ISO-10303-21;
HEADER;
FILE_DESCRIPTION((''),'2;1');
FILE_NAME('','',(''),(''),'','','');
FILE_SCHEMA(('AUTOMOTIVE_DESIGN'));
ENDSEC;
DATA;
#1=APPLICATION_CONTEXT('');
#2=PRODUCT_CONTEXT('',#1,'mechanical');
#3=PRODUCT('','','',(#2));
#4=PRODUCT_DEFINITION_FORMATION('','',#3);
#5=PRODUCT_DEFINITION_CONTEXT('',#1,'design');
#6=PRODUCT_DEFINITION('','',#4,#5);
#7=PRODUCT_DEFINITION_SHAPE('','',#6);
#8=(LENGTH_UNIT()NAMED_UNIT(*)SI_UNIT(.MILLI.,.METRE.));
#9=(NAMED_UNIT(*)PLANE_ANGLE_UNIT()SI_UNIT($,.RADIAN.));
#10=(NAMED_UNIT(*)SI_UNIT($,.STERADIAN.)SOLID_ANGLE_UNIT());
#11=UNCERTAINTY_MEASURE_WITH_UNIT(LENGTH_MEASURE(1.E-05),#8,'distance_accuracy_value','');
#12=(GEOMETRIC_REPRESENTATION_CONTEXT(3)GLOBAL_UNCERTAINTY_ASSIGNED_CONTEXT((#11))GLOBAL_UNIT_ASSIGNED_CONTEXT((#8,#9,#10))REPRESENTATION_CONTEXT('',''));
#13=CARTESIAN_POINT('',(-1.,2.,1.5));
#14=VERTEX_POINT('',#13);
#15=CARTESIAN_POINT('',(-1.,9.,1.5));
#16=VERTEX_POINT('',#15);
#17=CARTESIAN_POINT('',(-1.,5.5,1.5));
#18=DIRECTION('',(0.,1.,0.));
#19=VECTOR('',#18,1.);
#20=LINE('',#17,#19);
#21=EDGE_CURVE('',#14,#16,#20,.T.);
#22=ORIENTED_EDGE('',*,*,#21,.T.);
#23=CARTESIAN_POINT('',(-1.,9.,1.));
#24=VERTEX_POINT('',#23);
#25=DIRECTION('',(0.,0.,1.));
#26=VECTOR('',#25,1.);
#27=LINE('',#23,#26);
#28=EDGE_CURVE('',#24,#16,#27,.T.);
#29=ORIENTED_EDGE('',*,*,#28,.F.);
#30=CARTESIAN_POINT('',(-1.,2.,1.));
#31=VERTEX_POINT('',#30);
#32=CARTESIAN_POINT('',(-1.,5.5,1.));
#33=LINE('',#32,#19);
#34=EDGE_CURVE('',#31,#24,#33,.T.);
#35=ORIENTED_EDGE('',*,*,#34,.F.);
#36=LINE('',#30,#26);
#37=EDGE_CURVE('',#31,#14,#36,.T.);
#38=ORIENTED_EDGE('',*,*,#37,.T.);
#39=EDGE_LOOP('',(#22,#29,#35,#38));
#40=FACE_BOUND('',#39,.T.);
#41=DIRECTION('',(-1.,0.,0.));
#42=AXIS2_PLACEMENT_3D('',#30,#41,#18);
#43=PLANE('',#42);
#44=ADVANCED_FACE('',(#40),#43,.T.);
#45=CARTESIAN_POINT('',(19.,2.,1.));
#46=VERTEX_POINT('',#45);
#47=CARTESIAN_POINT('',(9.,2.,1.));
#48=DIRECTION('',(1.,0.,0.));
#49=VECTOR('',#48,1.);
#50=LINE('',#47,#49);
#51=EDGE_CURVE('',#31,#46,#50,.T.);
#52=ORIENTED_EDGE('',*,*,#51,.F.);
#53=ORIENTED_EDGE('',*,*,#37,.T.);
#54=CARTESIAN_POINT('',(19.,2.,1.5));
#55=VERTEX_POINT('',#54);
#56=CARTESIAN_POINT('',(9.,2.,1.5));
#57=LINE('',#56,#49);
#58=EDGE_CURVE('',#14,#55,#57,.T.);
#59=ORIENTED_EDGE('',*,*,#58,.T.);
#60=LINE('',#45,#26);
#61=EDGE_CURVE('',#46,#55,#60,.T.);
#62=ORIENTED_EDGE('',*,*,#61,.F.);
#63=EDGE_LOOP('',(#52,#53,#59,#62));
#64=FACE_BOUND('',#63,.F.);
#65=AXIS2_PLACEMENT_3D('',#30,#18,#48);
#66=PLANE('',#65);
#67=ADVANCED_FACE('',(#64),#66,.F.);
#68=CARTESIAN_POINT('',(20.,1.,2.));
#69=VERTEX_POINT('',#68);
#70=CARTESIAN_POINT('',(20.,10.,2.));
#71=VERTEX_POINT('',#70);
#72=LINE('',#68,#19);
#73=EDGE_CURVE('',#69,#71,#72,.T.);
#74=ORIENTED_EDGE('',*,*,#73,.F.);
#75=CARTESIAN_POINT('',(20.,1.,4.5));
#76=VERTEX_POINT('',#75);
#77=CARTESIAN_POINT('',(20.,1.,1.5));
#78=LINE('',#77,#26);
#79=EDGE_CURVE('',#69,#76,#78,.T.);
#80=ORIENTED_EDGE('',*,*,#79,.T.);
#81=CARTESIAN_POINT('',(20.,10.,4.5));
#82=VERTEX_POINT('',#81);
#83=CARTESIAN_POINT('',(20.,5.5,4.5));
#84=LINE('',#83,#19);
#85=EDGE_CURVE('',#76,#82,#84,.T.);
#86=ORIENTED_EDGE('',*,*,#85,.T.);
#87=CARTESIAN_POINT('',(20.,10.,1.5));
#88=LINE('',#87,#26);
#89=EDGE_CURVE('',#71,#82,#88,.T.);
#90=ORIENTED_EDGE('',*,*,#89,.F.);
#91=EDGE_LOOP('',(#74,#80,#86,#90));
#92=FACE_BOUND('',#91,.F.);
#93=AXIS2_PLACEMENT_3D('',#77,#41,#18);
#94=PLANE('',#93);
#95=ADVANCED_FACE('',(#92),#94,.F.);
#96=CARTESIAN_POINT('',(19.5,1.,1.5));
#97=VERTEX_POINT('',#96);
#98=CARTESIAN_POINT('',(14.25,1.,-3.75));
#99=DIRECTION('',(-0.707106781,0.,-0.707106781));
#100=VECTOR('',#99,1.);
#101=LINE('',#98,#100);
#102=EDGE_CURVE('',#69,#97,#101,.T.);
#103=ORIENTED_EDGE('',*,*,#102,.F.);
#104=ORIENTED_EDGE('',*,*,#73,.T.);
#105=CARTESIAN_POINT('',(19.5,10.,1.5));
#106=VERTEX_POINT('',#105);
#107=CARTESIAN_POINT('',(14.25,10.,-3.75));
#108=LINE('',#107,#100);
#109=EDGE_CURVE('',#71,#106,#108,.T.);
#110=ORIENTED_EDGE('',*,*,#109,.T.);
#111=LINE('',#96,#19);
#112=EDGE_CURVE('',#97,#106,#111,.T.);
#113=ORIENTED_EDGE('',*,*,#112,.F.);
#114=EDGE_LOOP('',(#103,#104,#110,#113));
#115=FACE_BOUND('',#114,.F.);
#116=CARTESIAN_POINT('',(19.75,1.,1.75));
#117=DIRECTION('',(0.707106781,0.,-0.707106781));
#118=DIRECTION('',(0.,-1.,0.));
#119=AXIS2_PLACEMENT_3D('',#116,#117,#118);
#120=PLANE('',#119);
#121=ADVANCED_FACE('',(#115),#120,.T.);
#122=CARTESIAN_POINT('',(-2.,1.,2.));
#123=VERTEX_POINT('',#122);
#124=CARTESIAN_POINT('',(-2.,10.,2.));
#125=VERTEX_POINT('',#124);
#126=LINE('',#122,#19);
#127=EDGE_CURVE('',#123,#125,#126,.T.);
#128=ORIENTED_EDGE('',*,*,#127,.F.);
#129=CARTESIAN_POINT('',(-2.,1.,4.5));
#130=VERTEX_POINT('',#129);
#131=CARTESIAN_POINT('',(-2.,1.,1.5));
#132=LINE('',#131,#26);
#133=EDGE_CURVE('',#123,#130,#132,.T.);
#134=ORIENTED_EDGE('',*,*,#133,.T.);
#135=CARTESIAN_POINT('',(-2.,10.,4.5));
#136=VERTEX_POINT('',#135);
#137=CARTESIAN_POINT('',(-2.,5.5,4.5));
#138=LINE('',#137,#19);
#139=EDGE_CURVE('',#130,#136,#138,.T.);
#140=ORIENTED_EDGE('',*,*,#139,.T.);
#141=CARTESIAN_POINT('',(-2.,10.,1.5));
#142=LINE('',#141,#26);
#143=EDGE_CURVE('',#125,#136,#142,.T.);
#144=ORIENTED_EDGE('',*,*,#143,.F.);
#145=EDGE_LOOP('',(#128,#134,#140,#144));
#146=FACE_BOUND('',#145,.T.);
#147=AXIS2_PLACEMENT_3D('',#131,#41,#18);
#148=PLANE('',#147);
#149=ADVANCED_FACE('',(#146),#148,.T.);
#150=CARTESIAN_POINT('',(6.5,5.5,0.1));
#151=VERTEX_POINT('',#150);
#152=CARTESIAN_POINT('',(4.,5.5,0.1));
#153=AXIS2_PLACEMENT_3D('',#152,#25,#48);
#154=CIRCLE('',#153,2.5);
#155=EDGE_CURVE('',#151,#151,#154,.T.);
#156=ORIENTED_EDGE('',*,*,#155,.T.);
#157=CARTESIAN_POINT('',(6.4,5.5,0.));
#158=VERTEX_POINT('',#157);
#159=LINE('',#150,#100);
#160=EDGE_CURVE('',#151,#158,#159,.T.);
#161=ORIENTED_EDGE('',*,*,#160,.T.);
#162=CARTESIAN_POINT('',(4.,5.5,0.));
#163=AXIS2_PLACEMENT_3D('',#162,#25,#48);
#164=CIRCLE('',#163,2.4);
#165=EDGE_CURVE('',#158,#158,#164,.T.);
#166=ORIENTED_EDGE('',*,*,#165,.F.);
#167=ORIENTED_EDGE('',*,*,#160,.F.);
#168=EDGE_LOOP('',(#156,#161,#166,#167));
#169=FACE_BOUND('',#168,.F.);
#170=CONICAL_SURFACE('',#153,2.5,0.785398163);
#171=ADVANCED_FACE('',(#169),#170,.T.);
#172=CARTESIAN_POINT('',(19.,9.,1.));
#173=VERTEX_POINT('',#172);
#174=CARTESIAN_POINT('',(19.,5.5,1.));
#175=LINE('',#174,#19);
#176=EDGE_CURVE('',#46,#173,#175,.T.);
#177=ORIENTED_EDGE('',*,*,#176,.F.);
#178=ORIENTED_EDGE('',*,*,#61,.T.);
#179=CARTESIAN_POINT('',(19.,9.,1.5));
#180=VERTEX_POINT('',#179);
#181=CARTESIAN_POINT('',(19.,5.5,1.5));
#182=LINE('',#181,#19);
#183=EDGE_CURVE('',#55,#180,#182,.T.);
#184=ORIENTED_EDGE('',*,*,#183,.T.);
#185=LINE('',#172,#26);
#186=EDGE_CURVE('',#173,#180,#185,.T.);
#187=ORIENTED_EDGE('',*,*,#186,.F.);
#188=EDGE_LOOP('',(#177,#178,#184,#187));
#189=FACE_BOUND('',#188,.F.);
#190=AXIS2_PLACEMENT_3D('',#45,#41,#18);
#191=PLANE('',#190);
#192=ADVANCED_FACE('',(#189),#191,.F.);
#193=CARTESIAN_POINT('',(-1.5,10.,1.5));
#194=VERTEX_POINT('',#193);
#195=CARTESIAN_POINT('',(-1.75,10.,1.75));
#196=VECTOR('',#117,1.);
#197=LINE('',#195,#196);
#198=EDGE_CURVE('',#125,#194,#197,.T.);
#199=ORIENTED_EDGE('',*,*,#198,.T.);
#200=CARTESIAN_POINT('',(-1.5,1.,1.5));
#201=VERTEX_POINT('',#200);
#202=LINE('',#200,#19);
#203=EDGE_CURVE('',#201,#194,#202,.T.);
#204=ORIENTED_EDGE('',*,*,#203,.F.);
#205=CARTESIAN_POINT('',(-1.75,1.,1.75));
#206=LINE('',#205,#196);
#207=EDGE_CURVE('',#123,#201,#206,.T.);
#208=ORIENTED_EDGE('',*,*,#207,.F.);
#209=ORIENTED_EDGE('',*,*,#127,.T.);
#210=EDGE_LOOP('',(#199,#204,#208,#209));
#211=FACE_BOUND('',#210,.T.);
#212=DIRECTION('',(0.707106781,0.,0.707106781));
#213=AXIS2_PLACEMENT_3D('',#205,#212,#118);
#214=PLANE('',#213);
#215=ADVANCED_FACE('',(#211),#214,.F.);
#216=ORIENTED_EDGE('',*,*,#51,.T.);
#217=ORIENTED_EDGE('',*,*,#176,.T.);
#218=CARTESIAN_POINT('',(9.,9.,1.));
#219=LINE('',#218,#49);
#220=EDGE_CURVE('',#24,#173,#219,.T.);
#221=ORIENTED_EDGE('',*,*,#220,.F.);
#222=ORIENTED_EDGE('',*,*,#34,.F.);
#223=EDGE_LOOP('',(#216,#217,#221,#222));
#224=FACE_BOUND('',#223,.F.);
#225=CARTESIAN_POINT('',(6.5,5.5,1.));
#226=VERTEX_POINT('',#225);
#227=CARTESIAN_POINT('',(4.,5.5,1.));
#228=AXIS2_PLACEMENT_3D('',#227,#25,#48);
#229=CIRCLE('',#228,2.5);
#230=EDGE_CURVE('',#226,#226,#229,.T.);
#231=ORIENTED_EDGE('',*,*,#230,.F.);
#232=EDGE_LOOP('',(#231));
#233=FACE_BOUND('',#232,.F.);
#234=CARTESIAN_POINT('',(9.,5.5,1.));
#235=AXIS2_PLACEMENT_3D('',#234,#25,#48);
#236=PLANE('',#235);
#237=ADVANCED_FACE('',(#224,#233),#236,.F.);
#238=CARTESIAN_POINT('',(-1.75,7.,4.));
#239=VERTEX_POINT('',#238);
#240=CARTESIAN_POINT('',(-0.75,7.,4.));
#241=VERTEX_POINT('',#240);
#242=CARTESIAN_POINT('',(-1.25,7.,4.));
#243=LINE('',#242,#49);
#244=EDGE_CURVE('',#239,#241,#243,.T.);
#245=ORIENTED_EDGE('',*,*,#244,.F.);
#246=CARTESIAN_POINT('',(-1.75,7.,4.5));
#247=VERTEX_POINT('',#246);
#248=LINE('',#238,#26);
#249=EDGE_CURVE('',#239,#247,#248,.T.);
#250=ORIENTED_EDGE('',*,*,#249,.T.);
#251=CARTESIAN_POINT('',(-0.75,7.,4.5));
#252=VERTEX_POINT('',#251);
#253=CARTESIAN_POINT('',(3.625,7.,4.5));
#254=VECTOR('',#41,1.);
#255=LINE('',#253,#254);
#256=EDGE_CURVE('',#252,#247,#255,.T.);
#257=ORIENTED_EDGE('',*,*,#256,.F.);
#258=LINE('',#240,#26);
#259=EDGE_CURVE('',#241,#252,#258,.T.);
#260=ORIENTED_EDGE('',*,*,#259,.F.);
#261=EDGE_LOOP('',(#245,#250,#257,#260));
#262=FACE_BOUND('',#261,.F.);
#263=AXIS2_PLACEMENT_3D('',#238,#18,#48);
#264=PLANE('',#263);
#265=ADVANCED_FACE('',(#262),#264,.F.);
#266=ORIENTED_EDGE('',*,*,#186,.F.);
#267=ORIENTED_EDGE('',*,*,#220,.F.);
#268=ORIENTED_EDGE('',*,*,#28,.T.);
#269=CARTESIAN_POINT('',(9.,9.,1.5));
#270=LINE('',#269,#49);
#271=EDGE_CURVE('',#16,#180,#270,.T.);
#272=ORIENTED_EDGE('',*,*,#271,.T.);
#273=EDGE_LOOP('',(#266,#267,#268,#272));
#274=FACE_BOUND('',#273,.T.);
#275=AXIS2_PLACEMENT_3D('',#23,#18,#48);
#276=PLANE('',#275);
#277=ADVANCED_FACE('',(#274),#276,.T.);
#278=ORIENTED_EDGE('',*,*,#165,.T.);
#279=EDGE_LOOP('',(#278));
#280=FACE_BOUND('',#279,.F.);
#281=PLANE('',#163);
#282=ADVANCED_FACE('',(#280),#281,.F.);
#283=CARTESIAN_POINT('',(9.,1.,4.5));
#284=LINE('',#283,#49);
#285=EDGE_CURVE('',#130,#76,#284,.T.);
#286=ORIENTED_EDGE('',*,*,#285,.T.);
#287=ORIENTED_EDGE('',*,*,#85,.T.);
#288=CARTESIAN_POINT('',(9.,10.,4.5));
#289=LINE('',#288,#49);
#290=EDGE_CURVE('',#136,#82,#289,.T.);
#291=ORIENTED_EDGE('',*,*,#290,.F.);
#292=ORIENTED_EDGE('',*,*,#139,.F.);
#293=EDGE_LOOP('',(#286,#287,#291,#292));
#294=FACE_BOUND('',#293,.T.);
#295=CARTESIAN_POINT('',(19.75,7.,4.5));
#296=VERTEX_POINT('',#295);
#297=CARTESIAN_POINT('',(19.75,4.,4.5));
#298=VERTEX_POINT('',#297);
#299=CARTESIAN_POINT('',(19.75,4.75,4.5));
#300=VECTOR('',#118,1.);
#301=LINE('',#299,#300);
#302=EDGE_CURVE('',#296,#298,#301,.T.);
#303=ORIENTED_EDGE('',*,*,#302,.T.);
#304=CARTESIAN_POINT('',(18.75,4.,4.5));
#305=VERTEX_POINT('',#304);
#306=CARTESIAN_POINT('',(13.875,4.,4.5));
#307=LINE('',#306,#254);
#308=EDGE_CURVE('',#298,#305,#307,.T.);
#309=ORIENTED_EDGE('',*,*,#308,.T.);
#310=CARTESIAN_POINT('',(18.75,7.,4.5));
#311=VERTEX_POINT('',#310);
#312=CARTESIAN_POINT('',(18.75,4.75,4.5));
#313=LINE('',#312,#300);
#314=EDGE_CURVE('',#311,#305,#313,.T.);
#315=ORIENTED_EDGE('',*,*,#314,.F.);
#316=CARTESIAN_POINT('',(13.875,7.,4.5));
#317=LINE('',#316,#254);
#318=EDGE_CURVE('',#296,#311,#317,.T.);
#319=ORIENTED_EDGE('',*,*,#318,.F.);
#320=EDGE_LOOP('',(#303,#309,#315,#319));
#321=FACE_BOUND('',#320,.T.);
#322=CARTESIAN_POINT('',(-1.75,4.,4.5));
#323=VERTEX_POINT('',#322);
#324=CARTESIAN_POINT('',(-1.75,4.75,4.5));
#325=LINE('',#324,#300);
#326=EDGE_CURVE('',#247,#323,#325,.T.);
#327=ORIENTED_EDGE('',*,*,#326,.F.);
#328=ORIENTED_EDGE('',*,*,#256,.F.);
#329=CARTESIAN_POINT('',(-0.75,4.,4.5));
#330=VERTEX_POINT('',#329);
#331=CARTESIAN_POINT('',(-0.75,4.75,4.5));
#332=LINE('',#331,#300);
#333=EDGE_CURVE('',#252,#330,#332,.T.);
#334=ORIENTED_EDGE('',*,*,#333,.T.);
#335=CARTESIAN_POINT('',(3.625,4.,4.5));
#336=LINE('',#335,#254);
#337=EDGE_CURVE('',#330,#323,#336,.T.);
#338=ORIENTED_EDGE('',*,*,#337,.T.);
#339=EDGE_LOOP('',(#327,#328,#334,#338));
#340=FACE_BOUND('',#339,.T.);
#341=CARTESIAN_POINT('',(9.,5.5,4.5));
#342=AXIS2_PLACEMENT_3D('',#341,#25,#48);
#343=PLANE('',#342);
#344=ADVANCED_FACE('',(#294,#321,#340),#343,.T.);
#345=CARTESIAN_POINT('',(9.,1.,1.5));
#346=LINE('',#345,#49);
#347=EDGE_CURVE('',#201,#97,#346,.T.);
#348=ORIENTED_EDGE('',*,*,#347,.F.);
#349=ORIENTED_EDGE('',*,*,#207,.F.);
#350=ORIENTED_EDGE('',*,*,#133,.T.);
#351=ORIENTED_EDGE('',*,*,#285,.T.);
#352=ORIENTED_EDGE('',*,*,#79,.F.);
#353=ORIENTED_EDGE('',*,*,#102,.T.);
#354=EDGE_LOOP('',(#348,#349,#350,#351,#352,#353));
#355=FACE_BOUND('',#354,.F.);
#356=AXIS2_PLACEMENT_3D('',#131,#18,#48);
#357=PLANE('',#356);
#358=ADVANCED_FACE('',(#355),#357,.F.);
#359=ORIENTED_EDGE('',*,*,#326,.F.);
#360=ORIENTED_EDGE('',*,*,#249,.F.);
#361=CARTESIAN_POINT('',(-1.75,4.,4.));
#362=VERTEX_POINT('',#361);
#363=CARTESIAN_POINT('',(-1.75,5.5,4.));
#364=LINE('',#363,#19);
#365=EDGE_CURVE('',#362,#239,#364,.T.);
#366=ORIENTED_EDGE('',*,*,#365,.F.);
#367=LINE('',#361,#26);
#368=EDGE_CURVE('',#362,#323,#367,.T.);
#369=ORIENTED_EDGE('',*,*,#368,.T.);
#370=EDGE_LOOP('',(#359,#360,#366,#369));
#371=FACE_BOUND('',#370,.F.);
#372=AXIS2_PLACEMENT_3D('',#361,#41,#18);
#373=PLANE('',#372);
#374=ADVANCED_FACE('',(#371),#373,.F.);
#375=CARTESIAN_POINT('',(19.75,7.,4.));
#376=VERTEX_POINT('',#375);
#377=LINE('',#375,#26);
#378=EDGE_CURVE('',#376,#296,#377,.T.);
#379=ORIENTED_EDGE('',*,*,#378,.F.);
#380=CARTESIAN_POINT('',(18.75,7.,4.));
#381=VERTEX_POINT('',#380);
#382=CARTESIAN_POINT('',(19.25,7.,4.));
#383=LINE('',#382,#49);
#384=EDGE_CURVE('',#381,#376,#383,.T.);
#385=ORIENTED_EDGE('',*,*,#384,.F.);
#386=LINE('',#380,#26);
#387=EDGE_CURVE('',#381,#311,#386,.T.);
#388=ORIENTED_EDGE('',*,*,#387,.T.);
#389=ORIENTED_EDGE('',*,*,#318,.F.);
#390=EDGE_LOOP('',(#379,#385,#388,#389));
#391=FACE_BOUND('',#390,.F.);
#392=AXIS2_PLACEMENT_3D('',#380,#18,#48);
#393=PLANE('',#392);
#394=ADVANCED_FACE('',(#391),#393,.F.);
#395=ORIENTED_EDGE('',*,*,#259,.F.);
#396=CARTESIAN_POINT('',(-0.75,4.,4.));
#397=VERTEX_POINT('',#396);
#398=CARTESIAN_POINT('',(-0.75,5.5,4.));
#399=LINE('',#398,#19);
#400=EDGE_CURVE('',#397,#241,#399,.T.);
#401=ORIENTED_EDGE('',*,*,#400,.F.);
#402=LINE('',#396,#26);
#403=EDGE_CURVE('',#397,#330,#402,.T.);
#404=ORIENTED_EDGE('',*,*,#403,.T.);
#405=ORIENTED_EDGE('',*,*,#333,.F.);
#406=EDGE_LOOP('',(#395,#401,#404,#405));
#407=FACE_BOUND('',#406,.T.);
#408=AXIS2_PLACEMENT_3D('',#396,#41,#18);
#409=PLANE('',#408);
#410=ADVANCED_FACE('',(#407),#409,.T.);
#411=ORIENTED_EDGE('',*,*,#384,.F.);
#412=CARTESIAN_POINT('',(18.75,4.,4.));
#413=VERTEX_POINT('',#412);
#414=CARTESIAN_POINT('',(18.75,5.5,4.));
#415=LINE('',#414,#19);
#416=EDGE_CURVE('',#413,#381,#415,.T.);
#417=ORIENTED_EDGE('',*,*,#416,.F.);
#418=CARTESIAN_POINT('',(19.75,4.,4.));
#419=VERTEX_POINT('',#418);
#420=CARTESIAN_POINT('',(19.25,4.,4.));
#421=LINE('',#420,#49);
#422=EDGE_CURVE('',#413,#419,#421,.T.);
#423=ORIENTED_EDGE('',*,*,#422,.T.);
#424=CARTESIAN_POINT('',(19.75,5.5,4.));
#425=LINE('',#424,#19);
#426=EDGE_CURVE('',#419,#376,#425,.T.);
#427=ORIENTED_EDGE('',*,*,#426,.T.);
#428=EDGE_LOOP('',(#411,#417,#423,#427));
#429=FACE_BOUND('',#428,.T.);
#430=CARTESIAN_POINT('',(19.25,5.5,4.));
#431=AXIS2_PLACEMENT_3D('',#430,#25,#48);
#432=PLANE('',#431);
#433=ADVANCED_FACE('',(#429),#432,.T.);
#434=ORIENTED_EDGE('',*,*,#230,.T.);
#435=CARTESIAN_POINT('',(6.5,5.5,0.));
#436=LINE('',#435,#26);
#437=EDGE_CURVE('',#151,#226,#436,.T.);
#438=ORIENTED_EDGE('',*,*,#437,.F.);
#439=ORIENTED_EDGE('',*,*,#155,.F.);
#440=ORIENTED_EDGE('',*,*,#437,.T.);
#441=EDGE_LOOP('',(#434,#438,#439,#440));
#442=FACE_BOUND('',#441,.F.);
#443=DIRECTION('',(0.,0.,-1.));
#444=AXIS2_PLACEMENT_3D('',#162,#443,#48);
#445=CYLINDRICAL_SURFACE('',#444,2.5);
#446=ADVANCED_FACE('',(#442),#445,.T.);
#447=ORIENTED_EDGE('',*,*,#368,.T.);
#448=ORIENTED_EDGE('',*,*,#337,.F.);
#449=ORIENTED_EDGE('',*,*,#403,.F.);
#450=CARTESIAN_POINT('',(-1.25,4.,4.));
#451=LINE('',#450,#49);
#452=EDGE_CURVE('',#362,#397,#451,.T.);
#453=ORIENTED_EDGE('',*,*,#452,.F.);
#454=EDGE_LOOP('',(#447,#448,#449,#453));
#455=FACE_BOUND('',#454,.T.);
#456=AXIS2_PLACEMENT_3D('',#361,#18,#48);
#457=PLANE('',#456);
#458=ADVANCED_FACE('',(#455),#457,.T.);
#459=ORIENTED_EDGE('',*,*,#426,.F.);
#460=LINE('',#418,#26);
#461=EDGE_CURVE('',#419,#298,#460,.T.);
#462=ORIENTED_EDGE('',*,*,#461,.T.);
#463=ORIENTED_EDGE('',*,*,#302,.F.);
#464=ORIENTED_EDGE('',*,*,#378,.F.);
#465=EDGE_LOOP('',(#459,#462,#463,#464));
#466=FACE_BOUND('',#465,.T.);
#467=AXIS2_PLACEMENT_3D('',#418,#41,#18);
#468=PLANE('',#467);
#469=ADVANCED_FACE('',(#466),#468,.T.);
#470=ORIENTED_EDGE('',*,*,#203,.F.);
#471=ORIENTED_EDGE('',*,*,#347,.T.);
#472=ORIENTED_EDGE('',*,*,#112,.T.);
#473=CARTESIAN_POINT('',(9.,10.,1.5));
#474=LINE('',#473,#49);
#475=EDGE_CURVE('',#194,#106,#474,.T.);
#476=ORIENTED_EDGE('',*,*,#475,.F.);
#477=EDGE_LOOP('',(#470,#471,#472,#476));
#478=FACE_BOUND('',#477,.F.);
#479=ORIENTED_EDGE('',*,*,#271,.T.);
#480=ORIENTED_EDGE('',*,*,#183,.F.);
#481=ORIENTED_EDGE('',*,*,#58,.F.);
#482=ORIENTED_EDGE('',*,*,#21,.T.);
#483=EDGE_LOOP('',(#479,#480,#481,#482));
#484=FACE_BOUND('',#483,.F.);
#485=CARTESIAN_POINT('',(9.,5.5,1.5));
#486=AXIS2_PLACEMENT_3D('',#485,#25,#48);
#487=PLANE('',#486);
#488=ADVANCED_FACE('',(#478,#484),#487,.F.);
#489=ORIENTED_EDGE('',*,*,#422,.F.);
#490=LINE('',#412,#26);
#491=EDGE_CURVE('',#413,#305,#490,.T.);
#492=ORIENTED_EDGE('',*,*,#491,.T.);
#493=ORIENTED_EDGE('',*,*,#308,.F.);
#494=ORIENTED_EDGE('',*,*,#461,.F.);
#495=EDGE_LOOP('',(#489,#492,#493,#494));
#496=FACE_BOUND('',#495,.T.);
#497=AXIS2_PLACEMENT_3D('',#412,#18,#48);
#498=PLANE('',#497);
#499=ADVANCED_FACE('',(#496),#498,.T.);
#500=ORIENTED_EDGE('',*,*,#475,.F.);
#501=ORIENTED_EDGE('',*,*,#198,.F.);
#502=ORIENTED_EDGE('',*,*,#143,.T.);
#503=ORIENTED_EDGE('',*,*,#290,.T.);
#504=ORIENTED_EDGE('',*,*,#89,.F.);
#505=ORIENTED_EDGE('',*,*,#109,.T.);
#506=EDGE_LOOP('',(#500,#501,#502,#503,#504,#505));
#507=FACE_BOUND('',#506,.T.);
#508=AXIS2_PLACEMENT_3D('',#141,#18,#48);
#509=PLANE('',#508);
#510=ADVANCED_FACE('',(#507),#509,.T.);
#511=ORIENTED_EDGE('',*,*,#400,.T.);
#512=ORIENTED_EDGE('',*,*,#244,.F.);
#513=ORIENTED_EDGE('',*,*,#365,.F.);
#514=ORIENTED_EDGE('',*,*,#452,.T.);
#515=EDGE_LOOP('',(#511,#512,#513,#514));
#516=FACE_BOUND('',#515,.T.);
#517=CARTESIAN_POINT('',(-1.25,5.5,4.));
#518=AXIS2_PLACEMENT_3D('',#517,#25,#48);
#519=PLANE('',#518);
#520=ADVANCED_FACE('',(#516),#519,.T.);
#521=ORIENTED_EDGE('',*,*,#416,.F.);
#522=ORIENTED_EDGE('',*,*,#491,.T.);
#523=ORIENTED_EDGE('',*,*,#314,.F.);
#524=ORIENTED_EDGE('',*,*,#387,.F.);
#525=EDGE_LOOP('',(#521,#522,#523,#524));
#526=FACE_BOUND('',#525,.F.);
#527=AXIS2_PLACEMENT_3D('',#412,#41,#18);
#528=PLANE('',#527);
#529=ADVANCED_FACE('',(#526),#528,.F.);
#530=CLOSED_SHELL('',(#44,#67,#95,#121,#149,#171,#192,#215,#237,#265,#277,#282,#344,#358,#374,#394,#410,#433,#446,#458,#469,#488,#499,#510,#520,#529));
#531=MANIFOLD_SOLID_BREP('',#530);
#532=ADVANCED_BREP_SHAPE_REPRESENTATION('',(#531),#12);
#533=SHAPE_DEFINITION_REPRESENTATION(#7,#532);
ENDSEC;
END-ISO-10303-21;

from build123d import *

# Parameters (mm, degrees)
SKETCH003_R      = 2.5
EXTRUDE003_DEPTH = 1
CHAMFER_SIZE     = 0.1
SKETCH006_W      = 20
SKETCH006_H      = 7
EXTRUDE018_DEPTH = 0.5
SKETCH001_W      = 1
SKETCH001_H      = 3
EXTRUDE001_DEPTH = 1
SKETCH002_W      = 1
SKETCH002_H      = 3
EXTRUDE002_DEPTH = 1
SKETCH_W         = 22
SKETCH_H         = 9
EXTRUDE_DEPTH    = 3
CHAMFER001_SIZE  = 0.5


with BuildPart() as chamfer001:
    # Sketch003 → Extrude003 (new body)
    with BuildSketch(Plane(origin=(-0.5, 0, 0), x_dir=(1, 0, 0), z_dir=(0, 0, 1))):
        with Locations((6.5, 5.5)):
            Circle(SKETCH003_R)
    extrude(amount=EXTRUDE003_DEPTH)

    # Chamfer
    chamfer_edges = [chamfer001.edges().sort_by_distance(p)[0] for p in [
        (3.5, 5.5, 0),
    ]]
    chamfer(chamfer_edges, length=CHAMFER_SIZE)


with BuildPart() as chamfer001_1:
    # Chamfer placement: moved
    add(chamfer001.part.moved(Location((-2, 0, 0))))


with BuildPart() as fusion020:
    # Sketch006 → Extrude018 (new body)
    with BuildSketch(Plane.XY.offset(1)):
        with Locations((9, 5.5)):
            Rectangle(SKETCH006_W, SKETCH006_H)
    extrude(amount=EXTRUDE018_DEPTH)

    # Fusion020: union Chamfer001
    add(chamfer001_1.part)


with BuildPart() as extrude001:
    # Sketch001 → Extrude001 (new body)
    with BuildSketch(Plane(origin=(0, 1, 4), x_dir=(1, 0, 0), z_dir=(0, 0, 1))):
        with Locations((0.75, 4.5)):
            Rectangle(SKETCH001_W, SKETCH001_H)
    extrude(amount=EXTRUDE001_DEPTH)


with BuildPart() as extrude001_1:
    # Extrude001 placement: moved
    add(extrude001.part.moved(Location((-2, 0, 0))))


with BuildPart() as fusion:
    # Sketch002 → Extrude002 (new body)
    with BuildSketch(Plane(origin=(18.5, 1, 4), x_dir=(1, 0, 0), z_dir=(0, 0, 1))):
        with Locations((0.75, 4.5)):
            Rectangle(SKETCH002_W, SKETCH002_H)
    extrude(amount=EXTRUDE002_DEPTH)

    # Fusion: union Extrude001
    add(extrude001_1.part)


with BuildPart() as body:
    # Sketch → Extrude (new body)
    with BuildSketch(Plane.XY.offset(1.5)):
        with Locations((9, 5.5)):
            Rectangle(SKETCH_W, SKETCH_H)
    extrude(amount=EXTRUDE_DEPTH)

    # Chamfer001
    chamfer001_edges = [body.edges().sort_by_distance(p)[0] for p in [
        (20, 5.5, 1.5),
        (-2, 5.5, 1.5),
    ]]
    chamfer(chamfer001_edges, length=CHAMFER001_SIZE)

    # Cut: cut Fusion
    add(fusion.part, mode=Mode.SUBTRACT)

    # Fusion021: union Fusion020
    add(fusion020.part)


solid = body.part
